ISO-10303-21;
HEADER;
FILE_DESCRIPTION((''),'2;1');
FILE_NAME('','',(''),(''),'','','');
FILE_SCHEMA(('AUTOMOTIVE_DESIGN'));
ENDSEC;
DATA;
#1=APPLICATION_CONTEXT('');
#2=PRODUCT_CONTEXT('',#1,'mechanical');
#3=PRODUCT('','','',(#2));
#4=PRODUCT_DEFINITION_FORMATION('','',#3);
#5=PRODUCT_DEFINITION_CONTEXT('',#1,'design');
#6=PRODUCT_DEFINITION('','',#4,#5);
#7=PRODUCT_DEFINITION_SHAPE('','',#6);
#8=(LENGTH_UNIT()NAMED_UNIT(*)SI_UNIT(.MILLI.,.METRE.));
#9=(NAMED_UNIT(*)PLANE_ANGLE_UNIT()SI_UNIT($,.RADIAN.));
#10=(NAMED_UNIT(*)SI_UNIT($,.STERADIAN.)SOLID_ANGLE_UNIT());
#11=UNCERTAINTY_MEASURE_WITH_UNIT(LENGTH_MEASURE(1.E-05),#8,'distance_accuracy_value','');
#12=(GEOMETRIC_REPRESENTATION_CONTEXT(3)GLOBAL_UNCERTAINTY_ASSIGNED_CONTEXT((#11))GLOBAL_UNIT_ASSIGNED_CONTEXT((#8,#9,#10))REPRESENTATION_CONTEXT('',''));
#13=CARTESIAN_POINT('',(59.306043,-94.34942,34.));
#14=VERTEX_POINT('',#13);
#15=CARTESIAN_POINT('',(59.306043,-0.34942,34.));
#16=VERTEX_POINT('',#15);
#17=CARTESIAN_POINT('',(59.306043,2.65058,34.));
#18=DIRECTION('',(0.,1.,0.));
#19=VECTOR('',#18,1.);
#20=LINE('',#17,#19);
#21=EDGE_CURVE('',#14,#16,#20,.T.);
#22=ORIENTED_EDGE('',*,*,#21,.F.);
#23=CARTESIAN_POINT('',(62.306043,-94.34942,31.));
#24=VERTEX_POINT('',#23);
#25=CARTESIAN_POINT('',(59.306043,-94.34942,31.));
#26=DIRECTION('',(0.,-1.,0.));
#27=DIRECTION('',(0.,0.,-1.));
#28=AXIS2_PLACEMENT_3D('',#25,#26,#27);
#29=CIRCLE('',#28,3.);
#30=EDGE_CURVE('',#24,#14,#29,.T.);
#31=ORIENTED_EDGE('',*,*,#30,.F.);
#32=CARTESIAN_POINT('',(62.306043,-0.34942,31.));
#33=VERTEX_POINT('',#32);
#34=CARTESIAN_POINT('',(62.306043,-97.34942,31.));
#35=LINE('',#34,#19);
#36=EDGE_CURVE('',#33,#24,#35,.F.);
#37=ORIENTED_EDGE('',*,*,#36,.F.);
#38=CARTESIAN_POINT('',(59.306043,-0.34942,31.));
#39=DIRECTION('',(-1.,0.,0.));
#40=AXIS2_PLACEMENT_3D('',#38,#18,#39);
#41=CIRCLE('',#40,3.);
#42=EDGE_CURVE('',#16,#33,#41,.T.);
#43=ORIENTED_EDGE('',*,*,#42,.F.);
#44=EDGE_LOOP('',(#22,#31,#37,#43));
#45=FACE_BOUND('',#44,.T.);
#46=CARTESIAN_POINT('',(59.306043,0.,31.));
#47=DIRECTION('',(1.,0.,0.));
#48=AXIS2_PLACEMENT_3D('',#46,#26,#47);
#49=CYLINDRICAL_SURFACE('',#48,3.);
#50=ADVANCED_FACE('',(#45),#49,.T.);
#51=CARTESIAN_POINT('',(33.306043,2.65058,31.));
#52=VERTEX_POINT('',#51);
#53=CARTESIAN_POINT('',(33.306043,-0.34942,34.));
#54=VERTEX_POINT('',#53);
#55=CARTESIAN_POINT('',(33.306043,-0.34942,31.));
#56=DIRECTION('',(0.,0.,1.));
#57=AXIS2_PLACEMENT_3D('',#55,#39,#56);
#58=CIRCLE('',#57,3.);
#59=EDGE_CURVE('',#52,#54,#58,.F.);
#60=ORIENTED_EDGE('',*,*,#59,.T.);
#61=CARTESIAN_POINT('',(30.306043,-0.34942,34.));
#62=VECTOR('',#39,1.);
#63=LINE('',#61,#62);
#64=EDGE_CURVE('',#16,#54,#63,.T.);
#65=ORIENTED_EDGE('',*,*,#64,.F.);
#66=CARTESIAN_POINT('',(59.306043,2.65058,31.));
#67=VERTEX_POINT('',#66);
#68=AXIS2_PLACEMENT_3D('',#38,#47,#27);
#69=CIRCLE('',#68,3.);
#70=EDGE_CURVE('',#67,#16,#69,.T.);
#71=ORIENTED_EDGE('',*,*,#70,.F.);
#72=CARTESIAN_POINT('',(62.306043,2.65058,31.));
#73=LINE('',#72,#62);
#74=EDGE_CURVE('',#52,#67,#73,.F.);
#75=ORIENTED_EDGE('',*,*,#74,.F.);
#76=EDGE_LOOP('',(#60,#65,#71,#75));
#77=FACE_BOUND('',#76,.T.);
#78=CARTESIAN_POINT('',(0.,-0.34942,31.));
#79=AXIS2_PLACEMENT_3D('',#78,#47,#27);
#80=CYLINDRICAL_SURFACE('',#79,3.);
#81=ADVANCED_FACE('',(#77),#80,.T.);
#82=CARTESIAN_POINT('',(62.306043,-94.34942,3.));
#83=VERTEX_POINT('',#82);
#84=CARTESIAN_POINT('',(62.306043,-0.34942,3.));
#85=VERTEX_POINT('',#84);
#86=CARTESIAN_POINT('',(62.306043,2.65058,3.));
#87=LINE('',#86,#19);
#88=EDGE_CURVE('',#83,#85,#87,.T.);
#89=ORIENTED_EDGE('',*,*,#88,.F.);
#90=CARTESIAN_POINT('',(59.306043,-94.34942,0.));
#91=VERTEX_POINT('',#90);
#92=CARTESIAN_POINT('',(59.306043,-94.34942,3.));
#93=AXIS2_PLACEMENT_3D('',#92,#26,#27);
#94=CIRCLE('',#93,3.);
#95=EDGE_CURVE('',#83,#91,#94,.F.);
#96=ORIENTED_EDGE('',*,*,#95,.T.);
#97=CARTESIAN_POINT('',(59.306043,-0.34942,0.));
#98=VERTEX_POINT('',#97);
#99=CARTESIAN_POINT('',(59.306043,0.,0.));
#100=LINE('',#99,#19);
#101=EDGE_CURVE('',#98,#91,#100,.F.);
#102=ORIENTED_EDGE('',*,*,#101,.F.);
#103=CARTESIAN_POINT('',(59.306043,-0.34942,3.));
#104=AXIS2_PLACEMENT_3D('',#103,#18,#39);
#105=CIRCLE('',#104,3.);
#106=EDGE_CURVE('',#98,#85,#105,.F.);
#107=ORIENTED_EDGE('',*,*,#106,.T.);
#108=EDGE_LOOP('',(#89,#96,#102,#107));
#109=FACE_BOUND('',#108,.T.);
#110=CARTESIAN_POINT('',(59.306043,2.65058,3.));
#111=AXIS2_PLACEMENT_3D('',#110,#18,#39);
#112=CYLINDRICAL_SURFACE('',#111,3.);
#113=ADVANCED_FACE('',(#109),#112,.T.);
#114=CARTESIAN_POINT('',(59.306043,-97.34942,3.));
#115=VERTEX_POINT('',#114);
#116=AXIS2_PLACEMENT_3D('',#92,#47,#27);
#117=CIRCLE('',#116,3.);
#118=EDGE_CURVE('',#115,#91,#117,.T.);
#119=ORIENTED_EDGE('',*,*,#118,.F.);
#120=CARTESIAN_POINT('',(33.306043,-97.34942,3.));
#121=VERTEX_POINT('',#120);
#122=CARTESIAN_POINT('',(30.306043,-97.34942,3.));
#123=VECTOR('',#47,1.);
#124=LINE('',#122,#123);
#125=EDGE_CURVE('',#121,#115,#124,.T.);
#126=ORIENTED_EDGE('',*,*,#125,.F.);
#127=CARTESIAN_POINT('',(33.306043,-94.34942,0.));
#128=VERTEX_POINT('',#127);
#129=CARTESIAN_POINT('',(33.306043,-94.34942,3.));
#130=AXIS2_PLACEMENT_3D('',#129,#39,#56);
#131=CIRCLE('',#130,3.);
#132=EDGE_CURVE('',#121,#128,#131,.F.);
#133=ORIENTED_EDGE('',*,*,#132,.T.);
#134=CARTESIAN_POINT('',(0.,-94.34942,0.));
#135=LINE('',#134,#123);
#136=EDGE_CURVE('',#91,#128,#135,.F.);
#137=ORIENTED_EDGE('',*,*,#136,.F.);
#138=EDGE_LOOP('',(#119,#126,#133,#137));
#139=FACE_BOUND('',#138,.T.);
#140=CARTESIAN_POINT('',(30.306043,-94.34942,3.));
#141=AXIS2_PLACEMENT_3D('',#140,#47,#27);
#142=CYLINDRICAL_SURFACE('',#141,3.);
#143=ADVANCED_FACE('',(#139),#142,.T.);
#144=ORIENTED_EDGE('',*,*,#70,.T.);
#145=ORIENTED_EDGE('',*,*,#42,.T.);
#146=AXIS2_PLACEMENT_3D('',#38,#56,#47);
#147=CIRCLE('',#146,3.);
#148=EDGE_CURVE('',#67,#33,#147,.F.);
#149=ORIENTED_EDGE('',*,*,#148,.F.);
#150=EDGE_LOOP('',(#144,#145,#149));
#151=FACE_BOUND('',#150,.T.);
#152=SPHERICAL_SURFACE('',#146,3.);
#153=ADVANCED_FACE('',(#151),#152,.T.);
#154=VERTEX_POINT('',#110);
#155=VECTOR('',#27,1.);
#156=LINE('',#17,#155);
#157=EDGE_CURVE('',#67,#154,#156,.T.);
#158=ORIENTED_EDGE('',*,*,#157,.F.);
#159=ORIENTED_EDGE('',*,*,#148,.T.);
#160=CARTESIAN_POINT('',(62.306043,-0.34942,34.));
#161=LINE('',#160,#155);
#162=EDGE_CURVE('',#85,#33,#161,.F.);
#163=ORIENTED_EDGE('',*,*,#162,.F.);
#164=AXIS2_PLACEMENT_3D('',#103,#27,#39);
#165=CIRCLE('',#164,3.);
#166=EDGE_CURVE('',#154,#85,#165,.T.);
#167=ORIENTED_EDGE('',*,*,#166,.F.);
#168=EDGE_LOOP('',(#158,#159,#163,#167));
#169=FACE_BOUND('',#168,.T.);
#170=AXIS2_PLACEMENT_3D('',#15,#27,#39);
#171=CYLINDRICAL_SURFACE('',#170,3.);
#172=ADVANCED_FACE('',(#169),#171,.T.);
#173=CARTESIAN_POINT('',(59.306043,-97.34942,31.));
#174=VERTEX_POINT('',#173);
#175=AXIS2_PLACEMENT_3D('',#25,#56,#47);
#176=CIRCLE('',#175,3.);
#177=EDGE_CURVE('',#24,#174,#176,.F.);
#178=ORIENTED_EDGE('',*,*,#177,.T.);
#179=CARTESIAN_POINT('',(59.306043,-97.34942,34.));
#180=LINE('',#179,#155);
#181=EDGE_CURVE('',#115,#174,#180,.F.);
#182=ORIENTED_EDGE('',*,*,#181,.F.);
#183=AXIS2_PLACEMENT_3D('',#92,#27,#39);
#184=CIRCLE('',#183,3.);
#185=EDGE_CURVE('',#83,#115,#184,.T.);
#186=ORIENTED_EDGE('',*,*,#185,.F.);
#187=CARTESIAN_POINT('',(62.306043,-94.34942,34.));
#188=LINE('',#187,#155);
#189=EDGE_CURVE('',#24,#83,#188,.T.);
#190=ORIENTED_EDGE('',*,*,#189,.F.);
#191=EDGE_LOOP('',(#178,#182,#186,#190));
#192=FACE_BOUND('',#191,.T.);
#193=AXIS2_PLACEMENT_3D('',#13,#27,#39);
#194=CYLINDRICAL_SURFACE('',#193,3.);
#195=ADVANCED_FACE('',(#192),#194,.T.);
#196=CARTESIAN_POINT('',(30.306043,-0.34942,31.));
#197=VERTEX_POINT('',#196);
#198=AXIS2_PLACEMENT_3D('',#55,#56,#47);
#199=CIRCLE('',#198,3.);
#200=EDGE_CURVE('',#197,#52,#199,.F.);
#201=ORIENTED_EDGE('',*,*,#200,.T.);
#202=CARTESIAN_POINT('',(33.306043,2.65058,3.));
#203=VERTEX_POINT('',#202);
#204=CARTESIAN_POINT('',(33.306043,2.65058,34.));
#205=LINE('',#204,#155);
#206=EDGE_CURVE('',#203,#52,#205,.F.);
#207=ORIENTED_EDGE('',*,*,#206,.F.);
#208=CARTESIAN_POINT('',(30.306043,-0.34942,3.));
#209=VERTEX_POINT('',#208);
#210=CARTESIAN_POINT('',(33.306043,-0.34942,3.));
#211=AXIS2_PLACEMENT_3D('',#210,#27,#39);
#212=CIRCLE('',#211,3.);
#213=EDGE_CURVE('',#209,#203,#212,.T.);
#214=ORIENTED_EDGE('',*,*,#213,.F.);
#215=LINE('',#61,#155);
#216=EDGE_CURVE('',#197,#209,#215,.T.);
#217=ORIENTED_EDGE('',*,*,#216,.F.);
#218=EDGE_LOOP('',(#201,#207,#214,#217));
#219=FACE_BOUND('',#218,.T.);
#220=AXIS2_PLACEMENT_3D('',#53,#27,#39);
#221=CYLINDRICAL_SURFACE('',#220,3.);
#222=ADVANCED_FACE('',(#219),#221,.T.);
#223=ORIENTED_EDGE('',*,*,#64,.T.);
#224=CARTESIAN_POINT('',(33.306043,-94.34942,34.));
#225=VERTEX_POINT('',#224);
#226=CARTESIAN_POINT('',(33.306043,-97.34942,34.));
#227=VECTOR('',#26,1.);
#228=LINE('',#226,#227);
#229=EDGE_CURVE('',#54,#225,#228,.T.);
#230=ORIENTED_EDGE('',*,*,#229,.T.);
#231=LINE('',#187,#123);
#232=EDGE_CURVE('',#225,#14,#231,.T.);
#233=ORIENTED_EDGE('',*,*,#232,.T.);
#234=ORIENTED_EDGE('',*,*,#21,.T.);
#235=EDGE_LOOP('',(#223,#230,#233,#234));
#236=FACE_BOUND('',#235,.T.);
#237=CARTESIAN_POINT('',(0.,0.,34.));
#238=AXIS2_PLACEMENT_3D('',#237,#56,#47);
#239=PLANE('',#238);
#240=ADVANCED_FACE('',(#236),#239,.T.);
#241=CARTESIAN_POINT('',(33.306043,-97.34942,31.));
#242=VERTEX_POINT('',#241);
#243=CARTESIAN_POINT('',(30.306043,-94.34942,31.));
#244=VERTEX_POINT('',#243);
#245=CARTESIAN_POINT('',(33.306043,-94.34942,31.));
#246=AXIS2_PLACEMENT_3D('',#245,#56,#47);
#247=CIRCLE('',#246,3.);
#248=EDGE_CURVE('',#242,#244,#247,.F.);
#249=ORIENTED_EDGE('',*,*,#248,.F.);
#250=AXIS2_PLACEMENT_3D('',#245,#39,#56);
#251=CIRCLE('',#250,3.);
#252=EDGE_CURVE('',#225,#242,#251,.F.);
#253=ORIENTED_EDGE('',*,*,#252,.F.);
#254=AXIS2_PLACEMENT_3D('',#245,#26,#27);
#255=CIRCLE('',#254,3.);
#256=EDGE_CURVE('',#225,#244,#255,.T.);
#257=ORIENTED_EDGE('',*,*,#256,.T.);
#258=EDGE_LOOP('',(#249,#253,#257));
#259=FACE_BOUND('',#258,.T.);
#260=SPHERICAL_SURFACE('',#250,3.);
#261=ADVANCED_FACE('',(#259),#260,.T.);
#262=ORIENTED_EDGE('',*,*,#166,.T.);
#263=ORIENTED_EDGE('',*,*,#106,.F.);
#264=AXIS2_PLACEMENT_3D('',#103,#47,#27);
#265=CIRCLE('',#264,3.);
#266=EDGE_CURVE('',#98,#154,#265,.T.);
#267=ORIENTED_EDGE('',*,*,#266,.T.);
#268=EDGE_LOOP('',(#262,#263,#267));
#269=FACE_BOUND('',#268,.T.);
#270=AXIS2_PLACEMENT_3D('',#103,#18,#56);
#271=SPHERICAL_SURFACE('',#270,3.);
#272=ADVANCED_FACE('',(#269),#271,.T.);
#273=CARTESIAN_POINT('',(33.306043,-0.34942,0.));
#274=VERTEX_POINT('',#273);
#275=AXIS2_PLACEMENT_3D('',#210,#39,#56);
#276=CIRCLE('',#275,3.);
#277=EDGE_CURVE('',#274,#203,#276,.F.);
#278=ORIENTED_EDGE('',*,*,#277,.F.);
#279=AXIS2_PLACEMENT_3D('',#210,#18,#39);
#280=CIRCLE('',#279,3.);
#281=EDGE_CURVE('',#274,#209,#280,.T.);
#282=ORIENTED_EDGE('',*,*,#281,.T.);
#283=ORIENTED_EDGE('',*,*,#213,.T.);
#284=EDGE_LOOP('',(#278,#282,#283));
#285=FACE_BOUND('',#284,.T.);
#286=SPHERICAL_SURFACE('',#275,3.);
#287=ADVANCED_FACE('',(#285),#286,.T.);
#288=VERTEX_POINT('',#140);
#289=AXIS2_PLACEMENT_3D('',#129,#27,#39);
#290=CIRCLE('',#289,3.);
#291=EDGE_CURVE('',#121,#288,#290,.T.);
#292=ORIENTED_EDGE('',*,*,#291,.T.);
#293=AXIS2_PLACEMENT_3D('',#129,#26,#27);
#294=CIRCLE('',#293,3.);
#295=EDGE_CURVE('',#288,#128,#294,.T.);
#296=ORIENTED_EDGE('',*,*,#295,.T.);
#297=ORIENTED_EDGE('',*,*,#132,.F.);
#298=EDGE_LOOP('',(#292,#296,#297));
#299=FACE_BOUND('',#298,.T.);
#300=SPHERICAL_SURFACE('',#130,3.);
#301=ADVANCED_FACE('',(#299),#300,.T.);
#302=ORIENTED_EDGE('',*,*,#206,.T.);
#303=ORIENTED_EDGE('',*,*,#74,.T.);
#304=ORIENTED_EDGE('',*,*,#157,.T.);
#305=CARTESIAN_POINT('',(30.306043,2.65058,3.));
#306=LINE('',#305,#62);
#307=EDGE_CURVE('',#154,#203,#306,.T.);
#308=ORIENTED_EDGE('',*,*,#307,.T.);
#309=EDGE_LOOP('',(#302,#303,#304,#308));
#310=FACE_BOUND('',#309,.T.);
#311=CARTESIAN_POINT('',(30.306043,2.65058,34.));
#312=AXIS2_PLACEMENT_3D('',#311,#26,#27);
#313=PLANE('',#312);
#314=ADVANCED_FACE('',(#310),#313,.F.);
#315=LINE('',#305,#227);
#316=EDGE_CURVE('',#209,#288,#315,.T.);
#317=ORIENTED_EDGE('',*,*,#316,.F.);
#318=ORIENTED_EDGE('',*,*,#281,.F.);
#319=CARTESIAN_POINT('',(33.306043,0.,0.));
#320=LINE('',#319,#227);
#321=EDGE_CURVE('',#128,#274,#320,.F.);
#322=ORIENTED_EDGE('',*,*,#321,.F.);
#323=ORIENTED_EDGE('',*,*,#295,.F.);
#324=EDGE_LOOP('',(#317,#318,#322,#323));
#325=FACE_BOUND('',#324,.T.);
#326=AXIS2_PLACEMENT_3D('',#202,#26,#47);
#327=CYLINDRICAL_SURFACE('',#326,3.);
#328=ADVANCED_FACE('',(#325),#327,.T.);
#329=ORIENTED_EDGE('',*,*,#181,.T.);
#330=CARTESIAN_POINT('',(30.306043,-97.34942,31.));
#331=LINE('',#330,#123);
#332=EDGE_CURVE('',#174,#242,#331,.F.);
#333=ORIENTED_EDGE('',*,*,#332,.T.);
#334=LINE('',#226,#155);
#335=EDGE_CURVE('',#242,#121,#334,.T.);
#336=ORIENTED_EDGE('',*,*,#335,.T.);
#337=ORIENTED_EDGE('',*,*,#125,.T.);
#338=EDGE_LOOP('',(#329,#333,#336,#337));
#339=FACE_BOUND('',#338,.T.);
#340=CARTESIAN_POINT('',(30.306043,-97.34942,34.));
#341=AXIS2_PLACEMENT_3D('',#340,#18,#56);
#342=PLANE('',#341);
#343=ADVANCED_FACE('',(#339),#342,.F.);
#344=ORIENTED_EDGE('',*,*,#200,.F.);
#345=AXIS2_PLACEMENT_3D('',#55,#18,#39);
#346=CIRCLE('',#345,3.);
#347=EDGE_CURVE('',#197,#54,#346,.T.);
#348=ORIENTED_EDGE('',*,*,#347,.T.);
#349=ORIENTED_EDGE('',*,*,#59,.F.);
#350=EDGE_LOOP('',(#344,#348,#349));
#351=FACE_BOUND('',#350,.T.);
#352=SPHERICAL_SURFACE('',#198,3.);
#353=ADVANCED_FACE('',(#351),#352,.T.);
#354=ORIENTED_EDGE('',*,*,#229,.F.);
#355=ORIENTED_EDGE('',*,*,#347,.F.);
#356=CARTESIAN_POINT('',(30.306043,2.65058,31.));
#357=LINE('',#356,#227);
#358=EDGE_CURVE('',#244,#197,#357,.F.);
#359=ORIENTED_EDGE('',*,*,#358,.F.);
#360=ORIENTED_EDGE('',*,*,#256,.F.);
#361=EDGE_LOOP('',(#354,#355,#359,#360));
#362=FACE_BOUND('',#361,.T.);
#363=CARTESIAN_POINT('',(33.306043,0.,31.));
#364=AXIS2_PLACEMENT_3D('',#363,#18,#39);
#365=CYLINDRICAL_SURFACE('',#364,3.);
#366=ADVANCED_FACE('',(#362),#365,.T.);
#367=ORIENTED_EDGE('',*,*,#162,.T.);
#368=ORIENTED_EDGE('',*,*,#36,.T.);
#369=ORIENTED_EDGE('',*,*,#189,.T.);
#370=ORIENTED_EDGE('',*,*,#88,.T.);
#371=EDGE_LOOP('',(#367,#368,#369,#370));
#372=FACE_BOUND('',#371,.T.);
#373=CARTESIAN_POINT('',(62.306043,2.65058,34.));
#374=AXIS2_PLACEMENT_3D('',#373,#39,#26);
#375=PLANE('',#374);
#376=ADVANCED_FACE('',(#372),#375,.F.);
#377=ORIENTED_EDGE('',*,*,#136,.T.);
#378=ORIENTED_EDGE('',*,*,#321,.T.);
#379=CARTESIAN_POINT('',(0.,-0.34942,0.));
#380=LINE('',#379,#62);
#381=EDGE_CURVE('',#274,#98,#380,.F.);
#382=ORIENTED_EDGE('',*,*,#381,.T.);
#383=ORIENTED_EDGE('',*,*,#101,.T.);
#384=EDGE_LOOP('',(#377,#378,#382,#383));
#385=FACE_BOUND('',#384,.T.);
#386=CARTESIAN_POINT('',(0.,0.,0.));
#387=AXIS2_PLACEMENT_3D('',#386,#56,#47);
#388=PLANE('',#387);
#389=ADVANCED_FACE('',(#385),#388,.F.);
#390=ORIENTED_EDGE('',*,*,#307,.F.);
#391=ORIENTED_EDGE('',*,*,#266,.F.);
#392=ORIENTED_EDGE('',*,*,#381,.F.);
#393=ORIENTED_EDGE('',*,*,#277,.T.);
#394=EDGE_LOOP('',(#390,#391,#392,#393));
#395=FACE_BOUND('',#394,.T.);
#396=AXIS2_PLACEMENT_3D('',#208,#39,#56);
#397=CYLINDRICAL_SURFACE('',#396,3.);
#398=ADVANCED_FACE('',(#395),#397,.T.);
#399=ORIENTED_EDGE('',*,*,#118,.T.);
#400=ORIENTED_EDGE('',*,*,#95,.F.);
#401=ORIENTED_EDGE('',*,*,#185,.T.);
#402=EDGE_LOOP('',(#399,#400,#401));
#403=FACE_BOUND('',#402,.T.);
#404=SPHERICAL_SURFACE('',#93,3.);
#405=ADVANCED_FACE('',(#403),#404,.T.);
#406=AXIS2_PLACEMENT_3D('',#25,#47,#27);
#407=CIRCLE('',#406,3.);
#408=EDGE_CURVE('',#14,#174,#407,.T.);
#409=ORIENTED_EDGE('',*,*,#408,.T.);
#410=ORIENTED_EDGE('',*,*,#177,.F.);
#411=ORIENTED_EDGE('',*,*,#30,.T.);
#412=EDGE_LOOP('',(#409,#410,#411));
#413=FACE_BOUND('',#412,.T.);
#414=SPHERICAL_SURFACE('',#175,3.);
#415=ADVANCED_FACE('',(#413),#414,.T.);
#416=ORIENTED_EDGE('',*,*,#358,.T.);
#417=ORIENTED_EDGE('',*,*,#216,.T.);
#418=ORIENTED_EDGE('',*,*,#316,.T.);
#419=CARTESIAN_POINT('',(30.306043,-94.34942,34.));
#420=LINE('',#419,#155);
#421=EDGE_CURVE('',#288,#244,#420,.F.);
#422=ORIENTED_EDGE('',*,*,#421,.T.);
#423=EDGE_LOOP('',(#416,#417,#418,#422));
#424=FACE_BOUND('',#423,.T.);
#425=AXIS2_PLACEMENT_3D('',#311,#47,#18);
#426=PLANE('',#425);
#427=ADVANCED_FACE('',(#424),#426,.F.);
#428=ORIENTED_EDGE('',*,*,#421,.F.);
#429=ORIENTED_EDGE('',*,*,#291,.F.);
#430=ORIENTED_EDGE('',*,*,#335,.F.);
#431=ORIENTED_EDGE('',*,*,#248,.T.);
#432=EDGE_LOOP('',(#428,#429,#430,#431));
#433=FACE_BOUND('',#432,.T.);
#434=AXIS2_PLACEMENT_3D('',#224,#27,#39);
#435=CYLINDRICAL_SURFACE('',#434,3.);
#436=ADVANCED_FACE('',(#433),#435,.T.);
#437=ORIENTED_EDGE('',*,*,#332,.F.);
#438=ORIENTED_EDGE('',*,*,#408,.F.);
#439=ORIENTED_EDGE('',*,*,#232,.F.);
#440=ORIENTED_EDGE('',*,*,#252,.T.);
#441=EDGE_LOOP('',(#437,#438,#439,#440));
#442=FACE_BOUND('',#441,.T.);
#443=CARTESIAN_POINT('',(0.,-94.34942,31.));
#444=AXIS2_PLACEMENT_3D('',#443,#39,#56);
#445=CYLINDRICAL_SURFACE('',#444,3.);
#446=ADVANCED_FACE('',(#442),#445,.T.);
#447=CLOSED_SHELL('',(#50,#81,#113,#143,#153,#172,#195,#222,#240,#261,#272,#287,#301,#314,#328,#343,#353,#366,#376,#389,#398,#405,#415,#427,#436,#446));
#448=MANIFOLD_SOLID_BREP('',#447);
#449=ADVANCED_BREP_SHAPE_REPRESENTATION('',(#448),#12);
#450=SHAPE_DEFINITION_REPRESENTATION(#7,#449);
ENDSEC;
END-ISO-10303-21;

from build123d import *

# Parameters (mm, degrees)
SKETCH1_W           = 32
SKETCH1_H           = 100
BOSS_EXTRUDE1_DEPTH = 34
FILLET1_R           = 3


with BuildPart() as part:
    # Sketch1 → Boss-Extrude1 (new body)
    with BuildSketch(Plane.XY):
        with Locations((46.306042722, -47.349420118)):
            Rectangle(SKETCH1_W, SKETCH1_H)
    extrude(amount=BOSS_EXTRUDE1_DEPTH)

    # Fillet1
    fillet1_edges = [part.edges().sort_by_distance(p)[0] for p in [
        (62.306042722, -47.349420118, 34),
        (46.306042722, 2.650579882, 34),
        (30.306042722, -47.349420118, 34),
        (46.306042722, 2.650579882, 0),
        (62.306042722, -47.349420118, 0),
        (46.306042722, -97.349420118, 0),
        (30.306042722, -47.349420118, 0),
        (30.306042722, 2.650579882, 17),
        (62.306042722, 2.650579882, 17),
        (62.306042722, -97.349420118, 17),
        (30.306042722, -97.349420118, 17),
        (46.306042722, -97.349420118, 34),
    ]]
    fillet(fillet1_edges, radius=FILLET1_R)


solid = part.part
